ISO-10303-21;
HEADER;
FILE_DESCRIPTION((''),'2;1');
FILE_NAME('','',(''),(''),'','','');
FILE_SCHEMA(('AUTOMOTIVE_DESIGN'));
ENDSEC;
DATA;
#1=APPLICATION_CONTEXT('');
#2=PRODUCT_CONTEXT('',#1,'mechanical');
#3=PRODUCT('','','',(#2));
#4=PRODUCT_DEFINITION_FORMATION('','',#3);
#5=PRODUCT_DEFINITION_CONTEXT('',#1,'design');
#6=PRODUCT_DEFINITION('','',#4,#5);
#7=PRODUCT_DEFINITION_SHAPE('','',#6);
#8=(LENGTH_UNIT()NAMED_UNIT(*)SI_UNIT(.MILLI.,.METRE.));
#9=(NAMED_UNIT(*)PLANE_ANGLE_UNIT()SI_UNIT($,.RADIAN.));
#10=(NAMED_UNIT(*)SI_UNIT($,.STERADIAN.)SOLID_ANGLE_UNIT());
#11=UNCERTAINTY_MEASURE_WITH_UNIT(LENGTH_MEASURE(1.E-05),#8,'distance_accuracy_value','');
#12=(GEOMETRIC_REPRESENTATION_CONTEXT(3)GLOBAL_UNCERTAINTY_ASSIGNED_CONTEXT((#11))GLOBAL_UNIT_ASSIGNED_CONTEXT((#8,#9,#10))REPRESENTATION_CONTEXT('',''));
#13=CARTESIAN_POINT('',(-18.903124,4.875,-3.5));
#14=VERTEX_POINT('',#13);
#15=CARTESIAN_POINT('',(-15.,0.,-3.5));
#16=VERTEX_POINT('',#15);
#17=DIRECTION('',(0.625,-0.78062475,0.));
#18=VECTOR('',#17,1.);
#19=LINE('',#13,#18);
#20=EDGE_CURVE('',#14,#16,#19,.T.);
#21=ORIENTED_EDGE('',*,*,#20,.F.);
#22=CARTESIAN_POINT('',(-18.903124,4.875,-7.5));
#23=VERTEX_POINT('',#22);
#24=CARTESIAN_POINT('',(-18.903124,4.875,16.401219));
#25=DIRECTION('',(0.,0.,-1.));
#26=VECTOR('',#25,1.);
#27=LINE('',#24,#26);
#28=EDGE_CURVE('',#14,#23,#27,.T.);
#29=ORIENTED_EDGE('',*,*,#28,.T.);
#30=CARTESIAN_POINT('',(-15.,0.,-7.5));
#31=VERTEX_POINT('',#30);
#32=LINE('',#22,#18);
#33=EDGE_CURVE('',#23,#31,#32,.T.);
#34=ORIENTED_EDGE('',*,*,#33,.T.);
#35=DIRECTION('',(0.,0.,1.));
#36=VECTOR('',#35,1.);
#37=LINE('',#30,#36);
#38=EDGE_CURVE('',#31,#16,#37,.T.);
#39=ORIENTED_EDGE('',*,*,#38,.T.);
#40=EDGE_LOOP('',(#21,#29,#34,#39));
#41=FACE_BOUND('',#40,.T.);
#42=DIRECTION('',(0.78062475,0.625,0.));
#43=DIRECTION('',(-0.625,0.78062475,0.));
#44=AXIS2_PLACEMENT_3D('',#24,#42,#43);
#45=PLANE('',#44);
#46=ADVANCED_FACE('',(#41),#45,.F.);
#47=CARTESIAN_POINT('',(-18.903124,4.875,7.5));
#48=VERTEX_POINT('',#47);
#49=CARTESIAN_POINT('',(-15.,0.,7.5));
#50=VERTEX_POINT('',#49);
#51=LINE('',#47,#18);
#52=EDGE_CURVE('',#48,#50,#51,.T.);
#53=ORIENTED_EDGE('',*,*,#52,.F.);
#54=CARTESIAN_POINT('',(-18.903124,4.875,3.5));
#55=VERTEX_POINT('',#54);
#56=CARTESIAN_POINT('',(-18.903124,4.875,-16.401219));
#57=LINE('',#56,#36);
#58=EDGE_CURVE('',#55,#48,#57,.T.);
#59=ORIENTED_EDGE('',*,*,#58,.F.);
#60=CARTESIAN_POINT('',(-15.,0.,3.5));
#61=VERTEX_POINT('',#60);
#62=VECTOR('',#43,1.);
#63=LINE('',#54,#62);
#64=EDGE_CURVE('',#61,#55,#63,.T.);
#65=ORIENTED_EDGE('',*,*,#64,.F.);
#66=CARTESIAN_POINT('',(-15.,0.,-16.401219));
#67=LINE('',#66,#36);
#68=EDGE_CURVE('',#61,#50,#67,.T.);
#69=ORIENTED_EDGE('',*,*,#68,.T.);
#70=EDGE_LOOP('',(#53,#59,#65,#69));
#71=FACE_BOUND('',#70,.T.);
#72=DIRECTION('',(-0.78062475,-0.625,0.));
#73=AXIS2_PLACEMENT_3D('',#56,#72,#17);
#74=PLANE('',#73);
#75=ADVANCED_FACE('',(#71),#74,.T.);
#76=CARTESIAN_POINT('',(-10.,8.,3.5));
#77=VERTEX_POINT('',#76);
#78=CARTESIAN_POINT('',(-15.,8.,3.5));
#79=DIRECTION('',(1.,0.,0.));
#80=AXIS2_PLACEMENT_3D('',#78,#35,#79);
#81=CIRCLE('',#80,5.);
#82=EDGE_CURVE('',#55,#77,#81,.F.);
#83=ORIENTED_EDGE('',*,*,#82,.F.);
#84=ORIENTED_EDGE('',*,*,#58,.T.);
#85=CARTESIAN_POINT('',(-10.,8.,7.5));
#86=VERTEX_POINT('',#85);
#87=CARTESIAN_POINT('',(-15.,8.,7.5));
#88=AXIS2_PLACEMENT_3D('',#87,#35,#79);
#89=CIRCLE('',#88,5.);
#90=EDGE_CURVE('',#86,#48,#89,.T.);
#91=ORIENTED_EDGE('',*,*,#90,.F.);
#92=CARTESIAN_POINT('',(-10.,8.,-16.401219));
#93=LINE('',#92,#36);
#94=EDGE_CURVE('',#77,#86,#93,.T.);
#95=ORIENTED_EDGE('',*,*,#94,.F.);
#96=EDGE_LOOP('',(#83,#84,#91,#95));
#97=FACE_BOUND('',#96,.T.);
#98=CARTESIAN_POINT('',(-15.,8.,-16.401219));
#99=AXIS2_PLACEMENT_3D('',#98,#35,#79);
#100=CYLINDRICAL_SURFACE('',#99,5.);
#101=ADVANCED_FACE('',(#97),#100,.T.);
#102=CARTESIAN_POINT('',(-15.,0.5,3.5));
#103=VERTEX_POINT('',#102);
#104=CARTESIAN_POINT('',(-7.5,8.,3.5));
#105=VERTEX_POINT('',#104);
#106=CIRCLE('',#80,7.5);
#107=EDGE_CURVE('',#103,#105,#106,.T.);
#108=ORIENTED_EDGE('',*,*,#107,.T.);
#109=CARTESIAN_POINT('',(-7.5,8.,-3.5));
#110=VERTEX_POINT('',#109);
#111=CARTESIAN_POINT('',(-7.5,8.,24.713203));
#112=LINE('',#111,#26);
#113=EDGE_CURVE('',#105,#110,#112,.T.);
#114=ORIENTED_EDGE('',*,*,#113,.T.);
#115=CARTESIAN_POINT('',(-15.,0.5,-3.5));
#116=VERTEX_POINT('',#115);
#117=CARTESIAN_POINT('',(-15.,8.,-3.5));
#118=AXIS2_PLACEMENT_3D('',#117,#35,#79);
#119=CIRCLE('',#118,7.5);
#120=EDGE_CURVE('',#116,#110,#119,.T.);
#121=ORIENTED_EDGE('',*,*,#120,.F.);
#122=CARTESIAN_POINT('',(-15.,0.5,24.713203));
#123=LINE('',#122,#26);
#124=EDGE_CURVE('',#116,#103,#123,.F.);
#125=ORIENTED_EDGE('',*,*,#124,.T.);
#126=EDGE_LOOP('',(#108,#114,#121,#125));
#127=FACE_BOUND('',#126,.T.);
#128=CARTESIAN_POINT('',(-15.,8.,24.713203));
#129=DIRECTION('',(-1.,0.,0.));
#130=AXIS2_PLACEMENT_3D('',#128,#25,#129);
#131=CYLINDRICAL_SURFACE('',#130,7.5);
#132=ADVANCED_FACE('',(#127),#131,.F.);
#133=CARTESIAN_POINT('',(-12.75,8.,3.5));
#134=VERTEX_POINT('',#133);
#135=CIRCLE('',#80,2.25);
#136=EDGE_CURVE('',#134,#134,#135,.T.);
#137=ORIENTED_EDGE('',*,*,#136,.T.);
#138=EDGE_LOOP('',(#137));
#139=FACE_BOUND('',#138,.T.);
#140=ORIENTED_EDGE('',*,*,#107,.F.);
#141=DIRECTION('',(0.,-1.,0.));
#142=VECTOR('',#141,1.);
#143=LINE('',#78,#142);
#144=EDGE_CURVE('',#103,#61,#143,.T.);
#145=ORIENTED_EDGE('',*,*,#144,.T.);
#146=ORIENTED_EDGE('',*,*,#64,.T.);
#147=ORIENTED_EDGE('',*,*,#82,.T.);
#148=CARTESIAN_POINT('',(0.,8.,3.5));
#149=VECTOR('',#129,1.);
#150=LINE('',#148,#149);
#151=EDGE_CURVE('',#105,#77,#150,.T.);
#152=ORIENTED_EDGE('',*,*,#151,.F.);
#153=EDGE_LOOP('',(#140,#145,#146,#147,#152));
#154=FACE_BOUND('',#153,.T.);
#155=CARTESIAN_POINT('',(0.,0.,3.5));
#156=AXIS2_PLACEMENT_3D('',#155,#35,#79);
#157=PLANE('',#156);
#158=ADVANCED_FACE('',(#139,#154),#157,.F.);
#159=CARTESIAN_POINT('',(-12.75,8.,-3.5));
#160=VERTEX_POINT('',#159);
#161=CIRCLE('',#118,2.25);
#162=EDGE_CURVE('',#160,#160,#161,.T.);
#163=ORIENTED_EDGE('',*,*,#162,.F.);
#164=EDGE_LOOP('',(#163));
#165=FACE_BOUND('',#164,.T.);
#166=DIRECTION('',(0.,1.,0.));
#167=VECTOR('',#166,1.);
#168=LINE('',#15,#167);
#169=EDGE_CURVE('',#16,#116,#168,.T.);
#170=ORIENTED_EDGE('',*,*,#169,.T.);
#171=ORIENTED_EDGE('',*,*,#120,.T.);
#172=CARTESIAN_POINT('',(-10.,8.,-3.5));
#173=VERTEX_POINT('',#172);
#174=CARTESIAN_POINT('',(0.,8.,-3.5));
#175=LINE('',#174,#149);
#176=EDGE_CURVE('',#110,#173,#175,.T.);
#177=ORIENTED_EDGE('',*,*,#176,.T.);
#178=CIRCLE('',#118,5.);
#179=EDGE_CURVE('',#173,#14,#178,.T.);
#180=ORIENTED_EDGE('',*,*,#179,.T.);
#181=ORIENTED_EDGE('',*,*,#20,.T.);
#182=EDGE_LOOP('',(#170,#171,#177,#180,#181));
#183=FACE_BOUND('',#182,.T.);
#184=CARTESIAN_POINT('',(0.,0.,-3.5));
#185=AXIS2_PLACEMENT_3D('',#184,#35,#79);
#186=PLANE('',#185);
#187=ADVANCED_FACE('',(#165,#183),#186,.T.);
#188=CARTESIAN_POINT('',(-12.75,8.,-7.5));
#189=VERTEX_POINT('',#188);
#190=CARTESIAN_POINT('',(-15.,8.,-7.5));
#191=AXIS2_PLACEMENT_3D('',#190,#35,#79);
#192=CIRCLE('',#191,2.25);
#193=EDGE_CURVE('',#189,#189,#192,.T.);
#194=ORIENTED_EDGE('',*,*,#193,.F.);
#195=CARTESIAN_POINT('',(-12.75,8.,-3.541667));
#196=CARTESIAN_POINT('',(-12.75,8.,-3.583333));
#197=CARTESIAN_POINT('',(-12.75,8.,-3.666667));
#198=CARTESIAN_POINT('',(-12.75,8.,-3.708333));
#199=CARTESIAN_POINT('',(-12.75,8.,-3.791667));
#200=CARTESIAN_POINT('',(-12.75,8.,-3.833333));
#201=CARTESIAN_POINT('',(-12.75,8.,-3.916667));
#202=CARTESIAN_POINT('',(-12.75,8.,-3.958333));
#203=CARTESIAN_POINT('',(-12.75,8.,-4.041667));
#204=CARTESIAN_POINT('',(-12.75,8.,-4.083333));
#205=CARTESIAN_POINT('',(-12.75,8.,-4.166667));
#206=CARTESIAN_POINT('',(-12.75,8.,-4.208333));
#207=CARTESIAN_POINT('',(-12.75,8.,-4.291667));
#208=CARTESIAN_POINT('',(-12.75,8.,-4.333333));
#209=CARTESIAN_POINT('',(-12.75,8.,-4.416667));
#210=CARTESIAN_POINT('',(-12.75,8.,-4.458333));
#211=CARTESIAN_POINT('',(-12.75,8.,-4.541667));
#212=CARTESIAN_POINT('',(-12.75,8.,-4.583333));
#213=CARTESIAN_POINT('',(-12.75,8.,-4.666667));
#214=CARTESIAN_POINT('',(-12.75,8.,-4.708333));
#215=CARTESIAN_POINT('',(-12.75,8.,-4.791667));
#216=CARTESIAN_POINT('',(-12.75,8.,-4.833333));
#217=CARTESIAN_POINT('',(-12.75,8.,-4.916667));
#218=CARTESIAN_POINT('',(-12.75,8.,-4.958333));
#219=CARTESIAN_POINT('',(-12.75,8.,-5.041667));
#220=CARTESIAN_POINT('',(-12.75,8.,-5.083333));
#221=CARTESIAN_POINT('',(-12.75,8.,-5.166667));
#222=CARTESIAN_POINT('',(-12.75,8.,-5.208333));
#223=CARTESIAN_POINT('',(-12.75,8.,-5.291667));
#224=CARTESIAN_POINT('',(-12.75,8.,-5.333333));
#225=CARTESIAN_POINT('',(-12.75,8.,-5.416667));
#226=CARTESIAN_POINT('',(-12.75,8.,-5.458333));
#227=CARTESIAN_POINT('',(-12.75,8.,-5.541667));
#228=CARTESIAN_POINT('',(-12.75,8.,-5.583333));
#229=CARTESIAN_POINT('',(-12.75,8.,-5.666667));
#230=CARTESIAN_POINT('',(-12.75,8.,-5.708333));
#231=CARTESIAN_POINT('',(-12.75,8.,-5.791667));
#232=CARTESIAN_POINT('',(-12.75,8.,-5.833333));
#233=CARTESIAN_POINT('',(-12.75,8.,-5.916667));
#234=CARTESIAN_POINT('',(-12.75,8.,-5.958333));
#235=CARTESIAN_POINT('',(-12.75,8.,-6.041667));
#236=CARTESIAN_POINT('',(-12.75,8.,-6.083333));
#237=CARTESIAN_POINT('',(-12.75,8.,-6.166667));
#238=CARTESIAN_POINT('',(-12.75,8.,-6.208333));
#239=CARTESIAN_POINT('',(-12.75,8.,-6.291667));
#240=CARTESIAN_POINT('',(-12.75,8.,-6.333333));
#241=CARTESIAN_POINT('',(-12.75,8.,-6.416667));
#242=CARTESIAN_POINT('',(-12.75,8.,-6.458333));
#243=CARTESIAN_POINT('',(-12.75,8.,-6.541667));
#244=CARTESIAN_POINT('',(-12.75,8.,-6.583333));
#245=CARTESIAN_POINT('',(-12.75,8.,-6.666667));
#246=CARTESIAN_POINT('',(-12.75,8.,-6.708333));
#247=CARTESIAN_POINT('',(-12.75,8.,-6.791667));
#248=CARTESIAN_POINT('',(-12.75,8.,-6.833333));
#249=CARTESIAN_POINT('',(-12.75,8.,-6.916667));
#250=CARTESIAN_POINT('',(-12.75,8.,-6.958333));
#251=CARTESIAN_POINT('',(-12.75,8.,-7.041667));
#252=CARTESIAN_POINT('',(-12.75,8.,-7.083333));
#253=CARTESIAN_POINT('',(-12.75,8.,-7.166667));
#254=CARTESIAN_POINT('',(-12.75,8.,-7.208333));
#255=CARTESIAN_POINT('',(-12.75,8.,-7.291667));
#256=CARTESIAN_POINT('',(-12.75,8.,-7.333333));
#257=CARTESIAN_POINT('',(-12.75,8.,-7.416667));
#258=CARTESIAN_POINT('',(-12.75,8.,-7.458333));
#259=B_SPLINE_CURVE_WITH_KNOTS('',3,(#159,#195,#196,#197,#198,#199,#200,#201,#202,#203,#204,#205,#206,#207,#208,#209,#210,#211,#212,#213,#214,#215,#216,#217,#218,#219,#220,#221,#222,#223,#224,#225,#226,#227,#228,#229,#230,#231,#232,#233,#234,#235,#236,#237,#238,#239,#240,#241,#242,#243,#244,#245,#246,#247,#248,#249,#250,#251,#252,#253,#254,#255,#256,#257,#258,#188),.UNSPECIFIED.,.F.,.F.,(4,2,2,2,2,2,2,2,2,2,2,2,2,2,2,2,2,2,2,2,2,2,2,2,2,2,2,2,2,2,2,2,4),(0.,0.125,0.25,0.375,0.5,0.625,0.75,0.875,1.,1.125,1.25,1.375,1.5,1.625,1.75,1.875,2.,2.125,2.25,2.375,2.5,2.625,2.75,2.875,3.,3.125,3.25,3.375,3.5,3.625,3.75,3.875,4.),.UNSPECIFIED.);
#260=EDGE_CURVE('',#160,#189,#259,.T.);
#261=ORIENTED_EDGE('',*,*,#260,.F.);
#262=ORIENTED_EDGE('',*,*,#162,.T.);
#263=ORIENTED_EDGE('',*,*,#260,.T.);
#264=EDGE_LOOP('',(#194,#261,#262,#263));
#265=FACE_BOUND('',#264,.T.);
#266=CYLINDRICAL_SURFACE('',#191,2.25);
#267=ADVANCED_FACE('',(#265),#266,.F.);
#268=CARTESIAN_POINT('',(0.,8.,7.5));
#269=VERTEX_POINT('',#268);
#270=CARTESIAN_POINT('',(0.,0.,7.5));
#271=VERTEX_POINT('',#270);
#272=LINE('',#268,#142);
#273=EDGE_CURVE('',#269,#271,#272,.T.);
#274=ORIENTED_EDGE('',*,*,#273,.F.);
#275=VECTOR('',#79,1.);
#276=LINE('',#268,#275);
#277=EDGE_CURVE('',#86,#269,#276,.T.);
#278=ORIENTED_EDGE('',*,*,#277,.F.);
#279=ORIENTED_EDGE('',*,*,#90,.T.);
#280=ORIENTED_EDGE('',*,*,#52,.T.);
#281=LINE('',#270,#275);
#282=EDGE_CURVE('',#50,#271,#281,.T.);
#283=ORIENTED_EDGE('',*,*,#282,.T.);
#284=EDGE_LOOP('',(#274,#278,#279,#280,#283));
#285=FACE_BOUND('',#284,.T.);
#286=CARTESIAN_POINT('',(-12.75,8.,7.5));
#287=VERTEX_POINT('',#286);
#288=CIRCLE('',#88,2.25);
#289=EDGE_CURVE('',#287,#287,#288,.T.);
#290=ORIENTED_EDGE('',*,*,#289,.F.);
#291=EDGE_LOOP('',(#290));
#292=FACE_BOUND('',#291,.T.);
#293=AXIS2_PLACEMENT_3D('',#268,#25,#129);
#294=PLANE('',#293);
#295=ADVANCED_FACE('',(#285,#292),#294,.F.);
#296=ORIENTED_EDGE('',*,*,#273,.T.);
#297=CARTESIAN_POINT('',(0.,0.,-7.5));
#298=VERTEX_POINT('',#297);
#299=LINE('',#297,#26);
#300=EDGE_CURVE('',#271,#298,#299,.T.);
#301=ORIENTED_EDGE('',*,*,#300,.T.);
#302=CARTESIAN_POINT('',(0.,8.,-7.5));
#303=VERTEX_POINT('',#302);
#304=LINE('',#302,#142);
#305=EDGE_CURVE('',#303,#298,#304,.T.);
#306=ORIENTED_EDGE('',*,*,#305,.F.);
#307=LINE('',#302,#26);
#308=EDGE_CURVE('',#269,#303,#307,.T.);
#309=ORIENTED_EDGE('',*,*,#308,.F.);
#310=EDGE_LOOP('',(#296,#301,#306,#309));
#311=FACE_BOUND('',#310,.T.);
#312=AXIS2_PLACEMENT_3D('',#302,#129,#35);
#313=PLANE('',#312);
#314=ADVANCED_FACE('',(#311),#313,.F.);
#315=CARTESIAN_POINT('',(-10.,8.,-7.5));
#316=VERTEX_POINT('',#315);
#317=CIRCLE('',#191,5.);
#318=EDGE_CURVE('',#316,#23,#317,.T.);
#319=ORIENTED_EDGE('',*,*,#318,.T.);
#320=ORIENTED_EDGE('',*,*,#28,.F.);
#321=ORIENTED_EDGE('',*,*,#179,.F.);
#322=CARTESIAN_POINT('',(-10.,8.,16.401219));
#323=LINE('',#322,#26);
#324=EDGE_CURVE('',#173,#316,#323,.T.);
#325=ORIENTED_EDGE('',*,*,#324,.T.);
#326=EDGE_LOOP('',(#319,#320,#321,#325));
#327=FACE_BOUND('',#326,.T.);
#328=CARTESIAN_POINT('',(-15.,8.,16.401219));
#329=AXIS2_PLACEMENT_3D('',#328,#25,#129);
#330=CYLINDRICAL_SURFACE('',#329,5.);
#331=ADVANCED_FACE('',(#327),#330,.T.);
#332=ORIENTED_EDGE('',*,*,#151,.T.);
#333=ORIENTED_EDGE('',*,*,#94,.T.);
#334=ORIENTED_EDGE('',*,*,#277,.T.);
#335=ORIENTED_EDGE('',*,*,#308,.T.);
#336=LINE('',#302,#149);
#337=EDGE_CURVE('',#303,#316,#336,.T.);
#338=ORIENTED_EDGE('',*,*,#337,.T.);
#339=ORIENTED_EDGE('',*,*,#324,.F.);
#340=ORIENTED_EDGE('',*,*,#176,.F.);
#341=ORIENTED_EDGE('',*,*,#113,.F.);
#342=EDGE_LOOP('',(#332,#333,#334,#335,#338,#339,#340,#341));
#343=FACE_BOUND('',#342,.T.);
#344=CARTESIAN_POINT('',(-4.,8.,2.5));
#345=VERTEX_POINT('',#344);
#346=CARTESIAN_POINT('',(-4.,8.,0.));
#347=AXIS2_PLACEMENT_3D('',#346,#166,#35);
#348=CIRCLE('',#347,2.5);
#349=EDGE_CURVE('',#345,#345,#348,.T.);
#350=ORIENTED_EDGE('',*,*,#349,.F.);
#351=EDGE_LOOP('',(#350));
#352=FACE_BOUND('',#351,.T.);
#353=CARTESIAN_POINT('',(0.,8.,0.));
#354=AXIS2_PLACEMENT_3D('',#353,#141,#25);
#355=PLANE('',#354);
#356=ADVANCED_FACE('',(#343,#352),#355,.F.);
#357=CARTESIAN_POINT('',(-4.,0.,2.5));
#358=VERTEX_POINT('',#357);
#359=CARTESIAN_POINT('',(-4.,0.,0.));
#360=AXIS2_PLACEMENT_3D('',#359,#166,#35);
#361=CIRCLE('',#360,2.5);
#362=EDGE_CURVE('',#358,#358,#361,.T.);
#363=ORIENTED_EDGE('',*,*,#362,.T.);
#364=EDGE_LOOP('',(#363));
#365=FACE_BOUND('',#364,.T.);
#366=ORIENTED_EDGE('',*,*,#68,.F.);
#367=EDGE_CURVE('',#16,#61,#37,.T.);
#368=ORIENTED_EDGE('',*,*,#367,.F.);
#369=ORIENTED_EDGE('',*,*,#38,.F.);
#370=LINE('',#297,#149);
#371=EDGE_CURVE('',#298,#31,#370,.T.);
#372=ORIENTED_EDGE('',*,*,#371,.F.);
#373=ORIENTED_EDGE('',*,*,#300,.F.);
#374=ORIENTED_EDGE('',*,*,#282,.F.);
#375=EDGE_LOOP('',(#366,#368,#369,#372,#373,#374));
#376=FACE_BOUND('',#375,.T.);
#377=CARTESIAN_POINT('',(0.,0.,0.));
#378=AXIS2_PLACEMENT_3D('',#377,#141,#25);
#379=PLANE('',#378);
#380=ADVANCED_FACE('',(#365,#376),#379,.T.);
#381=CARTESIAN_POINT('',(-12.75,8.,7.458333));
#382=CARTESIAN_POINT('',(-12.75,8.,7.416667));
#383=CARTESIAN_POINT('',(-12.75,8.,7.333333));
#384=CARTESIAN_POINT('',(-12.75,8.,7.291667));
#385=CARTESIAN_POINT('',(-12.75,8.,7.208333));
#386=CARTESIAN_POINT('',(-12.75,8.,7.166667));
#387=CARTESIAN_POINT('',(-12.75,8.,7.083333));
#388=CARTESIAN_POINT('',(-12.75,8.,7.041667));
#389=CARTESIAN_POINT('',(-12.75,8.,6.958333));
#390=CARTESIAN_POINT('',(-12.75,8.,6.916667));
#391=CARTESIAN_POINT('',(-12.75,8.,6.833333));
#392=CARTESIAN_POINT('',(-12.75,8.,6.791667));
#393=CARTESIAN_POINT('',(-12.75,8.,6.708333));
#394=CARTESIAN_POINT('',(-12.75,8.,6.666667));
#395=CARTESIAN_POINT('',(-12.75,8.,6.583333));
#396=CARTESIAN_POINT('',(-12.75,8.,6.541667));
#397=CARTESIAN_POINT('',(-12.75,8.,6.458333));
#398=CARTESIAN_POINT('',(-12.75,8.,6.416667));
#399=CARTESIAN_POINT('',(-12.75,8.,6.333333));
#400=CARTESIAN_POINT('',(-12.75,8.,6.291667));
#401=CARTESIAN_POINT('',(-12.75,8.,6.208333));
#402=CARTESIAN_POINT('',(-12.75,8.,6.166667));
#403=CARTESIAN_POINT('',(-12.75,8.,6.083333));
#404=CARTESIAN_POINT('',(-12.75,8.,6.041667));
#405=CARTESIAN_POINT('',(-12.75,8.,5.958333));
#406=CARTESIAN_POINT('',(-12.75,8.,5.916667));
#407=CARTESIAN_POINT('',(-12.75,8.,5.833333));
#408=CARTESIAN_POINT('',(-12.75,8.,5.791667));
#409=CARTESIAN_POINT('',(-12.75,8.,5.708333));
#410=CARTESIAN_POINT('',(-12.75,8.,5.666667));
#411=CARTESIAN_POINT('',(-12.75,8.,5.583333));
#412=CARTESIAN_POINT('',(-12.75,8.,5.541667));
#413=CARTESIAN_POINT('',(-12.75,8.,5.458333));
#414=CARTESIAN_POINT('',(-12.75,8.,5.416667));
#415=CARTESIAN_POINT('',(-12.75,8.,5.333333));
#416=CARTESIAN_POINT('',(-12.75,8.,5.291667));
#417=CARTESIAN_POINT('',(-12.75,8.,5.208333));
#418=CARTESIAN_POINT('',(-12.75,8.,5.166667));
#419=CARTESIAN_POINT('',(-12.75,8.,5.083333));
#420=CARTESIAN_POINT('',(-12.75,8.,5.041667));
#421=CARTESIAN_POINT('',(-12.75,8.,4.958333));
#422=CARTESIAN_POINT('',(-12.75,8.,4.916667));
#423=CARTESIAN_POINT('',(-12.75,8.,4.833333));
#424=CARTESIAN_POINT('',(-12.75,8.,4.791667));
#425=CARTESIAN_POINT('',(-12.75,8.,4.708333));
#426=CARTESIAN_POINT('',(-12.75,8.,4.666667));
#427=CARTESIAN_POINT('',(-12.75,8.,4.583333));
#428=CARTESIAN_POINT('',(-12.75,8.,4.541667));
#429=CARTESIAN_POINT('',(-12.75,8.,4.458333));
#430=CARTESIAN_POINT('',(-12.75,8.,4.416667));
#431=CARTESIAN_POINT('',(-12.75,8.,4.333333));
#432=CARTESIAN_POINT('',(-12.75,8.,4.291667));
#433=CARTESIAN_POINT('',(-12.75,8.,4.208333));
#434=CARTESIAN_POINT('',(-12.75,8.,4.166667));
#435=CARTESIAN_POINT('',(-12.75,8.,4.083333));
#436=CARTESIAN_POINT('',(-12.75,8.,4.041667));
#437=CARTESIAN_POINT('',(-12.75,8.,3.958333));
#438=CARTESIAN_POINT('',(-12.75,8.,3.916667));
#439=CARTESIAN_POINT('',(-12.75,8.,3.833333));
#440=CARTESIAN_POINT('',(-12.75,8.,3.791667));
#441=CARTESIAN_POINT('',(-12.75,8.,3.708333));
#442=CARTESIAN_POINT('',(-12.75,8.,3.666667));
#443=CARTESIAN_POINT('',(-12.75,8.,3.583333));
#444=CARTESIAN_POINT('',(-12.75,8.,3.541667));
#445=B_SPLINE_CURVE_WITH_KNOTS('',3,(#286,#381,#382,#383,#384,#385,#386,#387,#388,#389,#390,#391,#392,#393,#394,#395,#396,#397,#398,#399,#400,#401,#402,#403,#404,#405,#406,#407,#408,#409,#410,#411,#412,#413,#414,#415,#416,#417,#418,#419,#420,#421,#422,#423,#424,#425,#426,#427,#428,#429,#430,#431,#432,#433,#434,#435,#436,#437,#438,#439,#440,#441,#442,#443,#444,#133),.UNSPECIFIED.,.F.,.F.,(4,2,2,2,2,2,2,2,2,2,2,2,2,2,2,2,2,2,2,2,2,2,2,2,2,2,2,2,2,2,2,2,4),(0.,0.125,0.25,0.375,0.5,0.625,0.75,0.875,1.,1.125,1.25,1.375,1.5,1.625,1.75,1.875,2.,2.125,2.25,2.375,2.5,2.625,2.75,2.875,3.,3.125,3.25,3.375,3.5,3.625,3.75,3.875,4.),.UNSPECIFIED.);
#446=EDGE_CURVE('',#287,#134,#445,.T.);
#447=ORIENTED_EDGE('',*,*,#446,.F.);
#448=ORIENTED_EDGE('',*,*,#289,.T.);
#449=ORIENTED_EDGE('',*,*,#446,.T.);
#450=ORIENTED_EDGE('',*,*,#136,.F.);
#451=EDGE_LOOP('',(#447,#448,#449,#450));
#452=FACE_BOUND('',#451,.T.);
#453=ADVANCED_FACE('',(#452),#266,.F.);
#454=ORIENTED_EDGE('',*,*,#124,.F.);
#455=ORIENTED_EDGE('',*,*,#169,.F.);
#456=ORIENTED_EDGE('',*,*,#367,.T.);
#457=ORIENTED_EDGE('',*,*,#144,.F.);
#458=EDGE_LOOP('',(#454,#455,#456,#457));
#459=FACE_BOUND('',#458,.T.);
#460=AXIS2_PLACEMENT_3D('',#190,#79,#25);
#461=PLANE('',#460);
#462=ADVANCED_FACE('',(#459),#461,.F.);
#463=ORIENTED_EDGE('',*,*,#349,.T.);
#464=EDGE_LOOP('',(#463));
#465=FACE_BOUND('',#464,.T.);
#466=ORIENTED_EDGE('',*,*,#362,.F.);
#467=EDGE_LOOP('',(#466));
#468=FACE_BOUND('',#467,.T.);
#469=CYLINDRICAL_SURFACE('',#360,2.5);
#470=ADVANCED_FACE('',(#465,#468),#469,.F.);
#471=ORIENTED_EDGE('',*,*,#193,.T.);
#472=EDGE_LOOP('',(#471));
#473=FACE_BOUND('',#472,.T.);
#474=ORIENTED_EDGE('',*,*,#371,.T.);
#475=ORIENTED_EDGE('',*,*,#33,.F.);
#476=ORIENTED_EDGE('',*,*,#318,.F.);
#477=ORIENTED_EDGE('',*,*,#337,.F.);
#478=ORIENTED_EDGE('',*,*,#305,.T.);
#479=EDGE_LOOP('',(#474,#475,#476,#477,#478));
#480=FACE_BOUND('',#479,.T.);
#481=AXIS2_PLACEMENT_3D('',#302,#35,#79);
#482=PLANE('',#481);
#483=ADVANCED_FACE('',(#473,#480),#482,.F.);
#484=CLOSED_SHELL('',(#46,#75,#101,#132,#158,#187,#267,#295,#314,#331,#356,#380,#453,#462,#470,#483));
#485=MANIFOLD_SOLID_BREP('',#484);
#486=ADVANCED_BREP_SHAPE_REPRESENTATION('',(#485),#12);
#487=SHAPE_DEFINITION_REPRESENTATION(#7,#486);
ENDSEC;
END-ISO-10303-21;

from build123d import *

# Parameters (mm, degrees)
SKETCH1_W           = 15
SKETCH1_H           = 15
BOSS_EXTRUDE1_DEPTH = 8
BOSS_EXTRUDE2_DEPTH = 4
SKETCH3_R           = 7.5
CUT_EXTRUDE1_DEPTH  = 7
SKETCH4_R           = 2.25
CUT_EXTRUDE2_DEPTH  = 29.178005607
SKETCH5_R           = 2.5
CUT_EXTRUDE3_DEPTH  = 23.808989456


with BuildPart() as part:
    # Sketch1 → Boss-Extrude1 (new body)
    with BuildSketch(Plane(origin=(0, 0, 0), x_dir=(1, 0, 0), z_dir=(0, 1, 0))):
        with Locations((-7.5, 0)):
            Rectangle(SKETCH1_W, SKETCH1_H)
    extrude(amount=BOSS_EXTRUDE1_DEPTH)

    # Sketch2 → Boss-Extrude2 (add)
    with BuildSketch(Plane.XY.offset(7.5)):
        with BuildLine():
            Line((-18.903123749, 4.875), (-15, 0))
            Line((-15, 0), (-15, 3))
            ThreePointArc((-15, 3), (-12.834936491, 12.506939094), (-18.903123749, 4.875))
        make_face()
    boss_extrude2 = extrude(amount=-BOSS_EXTRUDE2_DEPTH)

    # Mirror1: Boss-Extrude2 across plane
    add(boss_extrude2.mirror(Plane.XY))

    # Sketch3 → Cut-Extrude1 (cut)
    with BuildSketch(Plane.XY.offset(-3.5)):
        with Locations((-15, 8)):
            Circle(SKETCH3_R)
    extrude(amount=CUT_EXTRUDE1_DEPTH, mode=Mode.SUBTRACT)

    # Sketch4 → Cut-Extrude2 (cut, through all)
    with BuildSketch(Plane.XY.offset(7.5)):
        with Locations((-15, 8)):
            Circle(SKETCH4_R)
    extrude(amount=-CUT_EXTRUDE2_DEPTH, mode=Mode.SUBTRACT)

    # Sketch5 → Cut-Extrude3 (cut, through all)
    with BuildSketch(Plane(origin=(0, 8, 0), x_dir=(1, 0, 0), z_dir=(0, 1, 0))):
        with Locations(Location((-4, 0, 0), (0, 0, 270))):
            Circle(SKETCH5_R)
    extrude(amount=-CUT_EXTRUDE3_DEPTH, mode=Mode.SUBTRACT)


solid = part.part
